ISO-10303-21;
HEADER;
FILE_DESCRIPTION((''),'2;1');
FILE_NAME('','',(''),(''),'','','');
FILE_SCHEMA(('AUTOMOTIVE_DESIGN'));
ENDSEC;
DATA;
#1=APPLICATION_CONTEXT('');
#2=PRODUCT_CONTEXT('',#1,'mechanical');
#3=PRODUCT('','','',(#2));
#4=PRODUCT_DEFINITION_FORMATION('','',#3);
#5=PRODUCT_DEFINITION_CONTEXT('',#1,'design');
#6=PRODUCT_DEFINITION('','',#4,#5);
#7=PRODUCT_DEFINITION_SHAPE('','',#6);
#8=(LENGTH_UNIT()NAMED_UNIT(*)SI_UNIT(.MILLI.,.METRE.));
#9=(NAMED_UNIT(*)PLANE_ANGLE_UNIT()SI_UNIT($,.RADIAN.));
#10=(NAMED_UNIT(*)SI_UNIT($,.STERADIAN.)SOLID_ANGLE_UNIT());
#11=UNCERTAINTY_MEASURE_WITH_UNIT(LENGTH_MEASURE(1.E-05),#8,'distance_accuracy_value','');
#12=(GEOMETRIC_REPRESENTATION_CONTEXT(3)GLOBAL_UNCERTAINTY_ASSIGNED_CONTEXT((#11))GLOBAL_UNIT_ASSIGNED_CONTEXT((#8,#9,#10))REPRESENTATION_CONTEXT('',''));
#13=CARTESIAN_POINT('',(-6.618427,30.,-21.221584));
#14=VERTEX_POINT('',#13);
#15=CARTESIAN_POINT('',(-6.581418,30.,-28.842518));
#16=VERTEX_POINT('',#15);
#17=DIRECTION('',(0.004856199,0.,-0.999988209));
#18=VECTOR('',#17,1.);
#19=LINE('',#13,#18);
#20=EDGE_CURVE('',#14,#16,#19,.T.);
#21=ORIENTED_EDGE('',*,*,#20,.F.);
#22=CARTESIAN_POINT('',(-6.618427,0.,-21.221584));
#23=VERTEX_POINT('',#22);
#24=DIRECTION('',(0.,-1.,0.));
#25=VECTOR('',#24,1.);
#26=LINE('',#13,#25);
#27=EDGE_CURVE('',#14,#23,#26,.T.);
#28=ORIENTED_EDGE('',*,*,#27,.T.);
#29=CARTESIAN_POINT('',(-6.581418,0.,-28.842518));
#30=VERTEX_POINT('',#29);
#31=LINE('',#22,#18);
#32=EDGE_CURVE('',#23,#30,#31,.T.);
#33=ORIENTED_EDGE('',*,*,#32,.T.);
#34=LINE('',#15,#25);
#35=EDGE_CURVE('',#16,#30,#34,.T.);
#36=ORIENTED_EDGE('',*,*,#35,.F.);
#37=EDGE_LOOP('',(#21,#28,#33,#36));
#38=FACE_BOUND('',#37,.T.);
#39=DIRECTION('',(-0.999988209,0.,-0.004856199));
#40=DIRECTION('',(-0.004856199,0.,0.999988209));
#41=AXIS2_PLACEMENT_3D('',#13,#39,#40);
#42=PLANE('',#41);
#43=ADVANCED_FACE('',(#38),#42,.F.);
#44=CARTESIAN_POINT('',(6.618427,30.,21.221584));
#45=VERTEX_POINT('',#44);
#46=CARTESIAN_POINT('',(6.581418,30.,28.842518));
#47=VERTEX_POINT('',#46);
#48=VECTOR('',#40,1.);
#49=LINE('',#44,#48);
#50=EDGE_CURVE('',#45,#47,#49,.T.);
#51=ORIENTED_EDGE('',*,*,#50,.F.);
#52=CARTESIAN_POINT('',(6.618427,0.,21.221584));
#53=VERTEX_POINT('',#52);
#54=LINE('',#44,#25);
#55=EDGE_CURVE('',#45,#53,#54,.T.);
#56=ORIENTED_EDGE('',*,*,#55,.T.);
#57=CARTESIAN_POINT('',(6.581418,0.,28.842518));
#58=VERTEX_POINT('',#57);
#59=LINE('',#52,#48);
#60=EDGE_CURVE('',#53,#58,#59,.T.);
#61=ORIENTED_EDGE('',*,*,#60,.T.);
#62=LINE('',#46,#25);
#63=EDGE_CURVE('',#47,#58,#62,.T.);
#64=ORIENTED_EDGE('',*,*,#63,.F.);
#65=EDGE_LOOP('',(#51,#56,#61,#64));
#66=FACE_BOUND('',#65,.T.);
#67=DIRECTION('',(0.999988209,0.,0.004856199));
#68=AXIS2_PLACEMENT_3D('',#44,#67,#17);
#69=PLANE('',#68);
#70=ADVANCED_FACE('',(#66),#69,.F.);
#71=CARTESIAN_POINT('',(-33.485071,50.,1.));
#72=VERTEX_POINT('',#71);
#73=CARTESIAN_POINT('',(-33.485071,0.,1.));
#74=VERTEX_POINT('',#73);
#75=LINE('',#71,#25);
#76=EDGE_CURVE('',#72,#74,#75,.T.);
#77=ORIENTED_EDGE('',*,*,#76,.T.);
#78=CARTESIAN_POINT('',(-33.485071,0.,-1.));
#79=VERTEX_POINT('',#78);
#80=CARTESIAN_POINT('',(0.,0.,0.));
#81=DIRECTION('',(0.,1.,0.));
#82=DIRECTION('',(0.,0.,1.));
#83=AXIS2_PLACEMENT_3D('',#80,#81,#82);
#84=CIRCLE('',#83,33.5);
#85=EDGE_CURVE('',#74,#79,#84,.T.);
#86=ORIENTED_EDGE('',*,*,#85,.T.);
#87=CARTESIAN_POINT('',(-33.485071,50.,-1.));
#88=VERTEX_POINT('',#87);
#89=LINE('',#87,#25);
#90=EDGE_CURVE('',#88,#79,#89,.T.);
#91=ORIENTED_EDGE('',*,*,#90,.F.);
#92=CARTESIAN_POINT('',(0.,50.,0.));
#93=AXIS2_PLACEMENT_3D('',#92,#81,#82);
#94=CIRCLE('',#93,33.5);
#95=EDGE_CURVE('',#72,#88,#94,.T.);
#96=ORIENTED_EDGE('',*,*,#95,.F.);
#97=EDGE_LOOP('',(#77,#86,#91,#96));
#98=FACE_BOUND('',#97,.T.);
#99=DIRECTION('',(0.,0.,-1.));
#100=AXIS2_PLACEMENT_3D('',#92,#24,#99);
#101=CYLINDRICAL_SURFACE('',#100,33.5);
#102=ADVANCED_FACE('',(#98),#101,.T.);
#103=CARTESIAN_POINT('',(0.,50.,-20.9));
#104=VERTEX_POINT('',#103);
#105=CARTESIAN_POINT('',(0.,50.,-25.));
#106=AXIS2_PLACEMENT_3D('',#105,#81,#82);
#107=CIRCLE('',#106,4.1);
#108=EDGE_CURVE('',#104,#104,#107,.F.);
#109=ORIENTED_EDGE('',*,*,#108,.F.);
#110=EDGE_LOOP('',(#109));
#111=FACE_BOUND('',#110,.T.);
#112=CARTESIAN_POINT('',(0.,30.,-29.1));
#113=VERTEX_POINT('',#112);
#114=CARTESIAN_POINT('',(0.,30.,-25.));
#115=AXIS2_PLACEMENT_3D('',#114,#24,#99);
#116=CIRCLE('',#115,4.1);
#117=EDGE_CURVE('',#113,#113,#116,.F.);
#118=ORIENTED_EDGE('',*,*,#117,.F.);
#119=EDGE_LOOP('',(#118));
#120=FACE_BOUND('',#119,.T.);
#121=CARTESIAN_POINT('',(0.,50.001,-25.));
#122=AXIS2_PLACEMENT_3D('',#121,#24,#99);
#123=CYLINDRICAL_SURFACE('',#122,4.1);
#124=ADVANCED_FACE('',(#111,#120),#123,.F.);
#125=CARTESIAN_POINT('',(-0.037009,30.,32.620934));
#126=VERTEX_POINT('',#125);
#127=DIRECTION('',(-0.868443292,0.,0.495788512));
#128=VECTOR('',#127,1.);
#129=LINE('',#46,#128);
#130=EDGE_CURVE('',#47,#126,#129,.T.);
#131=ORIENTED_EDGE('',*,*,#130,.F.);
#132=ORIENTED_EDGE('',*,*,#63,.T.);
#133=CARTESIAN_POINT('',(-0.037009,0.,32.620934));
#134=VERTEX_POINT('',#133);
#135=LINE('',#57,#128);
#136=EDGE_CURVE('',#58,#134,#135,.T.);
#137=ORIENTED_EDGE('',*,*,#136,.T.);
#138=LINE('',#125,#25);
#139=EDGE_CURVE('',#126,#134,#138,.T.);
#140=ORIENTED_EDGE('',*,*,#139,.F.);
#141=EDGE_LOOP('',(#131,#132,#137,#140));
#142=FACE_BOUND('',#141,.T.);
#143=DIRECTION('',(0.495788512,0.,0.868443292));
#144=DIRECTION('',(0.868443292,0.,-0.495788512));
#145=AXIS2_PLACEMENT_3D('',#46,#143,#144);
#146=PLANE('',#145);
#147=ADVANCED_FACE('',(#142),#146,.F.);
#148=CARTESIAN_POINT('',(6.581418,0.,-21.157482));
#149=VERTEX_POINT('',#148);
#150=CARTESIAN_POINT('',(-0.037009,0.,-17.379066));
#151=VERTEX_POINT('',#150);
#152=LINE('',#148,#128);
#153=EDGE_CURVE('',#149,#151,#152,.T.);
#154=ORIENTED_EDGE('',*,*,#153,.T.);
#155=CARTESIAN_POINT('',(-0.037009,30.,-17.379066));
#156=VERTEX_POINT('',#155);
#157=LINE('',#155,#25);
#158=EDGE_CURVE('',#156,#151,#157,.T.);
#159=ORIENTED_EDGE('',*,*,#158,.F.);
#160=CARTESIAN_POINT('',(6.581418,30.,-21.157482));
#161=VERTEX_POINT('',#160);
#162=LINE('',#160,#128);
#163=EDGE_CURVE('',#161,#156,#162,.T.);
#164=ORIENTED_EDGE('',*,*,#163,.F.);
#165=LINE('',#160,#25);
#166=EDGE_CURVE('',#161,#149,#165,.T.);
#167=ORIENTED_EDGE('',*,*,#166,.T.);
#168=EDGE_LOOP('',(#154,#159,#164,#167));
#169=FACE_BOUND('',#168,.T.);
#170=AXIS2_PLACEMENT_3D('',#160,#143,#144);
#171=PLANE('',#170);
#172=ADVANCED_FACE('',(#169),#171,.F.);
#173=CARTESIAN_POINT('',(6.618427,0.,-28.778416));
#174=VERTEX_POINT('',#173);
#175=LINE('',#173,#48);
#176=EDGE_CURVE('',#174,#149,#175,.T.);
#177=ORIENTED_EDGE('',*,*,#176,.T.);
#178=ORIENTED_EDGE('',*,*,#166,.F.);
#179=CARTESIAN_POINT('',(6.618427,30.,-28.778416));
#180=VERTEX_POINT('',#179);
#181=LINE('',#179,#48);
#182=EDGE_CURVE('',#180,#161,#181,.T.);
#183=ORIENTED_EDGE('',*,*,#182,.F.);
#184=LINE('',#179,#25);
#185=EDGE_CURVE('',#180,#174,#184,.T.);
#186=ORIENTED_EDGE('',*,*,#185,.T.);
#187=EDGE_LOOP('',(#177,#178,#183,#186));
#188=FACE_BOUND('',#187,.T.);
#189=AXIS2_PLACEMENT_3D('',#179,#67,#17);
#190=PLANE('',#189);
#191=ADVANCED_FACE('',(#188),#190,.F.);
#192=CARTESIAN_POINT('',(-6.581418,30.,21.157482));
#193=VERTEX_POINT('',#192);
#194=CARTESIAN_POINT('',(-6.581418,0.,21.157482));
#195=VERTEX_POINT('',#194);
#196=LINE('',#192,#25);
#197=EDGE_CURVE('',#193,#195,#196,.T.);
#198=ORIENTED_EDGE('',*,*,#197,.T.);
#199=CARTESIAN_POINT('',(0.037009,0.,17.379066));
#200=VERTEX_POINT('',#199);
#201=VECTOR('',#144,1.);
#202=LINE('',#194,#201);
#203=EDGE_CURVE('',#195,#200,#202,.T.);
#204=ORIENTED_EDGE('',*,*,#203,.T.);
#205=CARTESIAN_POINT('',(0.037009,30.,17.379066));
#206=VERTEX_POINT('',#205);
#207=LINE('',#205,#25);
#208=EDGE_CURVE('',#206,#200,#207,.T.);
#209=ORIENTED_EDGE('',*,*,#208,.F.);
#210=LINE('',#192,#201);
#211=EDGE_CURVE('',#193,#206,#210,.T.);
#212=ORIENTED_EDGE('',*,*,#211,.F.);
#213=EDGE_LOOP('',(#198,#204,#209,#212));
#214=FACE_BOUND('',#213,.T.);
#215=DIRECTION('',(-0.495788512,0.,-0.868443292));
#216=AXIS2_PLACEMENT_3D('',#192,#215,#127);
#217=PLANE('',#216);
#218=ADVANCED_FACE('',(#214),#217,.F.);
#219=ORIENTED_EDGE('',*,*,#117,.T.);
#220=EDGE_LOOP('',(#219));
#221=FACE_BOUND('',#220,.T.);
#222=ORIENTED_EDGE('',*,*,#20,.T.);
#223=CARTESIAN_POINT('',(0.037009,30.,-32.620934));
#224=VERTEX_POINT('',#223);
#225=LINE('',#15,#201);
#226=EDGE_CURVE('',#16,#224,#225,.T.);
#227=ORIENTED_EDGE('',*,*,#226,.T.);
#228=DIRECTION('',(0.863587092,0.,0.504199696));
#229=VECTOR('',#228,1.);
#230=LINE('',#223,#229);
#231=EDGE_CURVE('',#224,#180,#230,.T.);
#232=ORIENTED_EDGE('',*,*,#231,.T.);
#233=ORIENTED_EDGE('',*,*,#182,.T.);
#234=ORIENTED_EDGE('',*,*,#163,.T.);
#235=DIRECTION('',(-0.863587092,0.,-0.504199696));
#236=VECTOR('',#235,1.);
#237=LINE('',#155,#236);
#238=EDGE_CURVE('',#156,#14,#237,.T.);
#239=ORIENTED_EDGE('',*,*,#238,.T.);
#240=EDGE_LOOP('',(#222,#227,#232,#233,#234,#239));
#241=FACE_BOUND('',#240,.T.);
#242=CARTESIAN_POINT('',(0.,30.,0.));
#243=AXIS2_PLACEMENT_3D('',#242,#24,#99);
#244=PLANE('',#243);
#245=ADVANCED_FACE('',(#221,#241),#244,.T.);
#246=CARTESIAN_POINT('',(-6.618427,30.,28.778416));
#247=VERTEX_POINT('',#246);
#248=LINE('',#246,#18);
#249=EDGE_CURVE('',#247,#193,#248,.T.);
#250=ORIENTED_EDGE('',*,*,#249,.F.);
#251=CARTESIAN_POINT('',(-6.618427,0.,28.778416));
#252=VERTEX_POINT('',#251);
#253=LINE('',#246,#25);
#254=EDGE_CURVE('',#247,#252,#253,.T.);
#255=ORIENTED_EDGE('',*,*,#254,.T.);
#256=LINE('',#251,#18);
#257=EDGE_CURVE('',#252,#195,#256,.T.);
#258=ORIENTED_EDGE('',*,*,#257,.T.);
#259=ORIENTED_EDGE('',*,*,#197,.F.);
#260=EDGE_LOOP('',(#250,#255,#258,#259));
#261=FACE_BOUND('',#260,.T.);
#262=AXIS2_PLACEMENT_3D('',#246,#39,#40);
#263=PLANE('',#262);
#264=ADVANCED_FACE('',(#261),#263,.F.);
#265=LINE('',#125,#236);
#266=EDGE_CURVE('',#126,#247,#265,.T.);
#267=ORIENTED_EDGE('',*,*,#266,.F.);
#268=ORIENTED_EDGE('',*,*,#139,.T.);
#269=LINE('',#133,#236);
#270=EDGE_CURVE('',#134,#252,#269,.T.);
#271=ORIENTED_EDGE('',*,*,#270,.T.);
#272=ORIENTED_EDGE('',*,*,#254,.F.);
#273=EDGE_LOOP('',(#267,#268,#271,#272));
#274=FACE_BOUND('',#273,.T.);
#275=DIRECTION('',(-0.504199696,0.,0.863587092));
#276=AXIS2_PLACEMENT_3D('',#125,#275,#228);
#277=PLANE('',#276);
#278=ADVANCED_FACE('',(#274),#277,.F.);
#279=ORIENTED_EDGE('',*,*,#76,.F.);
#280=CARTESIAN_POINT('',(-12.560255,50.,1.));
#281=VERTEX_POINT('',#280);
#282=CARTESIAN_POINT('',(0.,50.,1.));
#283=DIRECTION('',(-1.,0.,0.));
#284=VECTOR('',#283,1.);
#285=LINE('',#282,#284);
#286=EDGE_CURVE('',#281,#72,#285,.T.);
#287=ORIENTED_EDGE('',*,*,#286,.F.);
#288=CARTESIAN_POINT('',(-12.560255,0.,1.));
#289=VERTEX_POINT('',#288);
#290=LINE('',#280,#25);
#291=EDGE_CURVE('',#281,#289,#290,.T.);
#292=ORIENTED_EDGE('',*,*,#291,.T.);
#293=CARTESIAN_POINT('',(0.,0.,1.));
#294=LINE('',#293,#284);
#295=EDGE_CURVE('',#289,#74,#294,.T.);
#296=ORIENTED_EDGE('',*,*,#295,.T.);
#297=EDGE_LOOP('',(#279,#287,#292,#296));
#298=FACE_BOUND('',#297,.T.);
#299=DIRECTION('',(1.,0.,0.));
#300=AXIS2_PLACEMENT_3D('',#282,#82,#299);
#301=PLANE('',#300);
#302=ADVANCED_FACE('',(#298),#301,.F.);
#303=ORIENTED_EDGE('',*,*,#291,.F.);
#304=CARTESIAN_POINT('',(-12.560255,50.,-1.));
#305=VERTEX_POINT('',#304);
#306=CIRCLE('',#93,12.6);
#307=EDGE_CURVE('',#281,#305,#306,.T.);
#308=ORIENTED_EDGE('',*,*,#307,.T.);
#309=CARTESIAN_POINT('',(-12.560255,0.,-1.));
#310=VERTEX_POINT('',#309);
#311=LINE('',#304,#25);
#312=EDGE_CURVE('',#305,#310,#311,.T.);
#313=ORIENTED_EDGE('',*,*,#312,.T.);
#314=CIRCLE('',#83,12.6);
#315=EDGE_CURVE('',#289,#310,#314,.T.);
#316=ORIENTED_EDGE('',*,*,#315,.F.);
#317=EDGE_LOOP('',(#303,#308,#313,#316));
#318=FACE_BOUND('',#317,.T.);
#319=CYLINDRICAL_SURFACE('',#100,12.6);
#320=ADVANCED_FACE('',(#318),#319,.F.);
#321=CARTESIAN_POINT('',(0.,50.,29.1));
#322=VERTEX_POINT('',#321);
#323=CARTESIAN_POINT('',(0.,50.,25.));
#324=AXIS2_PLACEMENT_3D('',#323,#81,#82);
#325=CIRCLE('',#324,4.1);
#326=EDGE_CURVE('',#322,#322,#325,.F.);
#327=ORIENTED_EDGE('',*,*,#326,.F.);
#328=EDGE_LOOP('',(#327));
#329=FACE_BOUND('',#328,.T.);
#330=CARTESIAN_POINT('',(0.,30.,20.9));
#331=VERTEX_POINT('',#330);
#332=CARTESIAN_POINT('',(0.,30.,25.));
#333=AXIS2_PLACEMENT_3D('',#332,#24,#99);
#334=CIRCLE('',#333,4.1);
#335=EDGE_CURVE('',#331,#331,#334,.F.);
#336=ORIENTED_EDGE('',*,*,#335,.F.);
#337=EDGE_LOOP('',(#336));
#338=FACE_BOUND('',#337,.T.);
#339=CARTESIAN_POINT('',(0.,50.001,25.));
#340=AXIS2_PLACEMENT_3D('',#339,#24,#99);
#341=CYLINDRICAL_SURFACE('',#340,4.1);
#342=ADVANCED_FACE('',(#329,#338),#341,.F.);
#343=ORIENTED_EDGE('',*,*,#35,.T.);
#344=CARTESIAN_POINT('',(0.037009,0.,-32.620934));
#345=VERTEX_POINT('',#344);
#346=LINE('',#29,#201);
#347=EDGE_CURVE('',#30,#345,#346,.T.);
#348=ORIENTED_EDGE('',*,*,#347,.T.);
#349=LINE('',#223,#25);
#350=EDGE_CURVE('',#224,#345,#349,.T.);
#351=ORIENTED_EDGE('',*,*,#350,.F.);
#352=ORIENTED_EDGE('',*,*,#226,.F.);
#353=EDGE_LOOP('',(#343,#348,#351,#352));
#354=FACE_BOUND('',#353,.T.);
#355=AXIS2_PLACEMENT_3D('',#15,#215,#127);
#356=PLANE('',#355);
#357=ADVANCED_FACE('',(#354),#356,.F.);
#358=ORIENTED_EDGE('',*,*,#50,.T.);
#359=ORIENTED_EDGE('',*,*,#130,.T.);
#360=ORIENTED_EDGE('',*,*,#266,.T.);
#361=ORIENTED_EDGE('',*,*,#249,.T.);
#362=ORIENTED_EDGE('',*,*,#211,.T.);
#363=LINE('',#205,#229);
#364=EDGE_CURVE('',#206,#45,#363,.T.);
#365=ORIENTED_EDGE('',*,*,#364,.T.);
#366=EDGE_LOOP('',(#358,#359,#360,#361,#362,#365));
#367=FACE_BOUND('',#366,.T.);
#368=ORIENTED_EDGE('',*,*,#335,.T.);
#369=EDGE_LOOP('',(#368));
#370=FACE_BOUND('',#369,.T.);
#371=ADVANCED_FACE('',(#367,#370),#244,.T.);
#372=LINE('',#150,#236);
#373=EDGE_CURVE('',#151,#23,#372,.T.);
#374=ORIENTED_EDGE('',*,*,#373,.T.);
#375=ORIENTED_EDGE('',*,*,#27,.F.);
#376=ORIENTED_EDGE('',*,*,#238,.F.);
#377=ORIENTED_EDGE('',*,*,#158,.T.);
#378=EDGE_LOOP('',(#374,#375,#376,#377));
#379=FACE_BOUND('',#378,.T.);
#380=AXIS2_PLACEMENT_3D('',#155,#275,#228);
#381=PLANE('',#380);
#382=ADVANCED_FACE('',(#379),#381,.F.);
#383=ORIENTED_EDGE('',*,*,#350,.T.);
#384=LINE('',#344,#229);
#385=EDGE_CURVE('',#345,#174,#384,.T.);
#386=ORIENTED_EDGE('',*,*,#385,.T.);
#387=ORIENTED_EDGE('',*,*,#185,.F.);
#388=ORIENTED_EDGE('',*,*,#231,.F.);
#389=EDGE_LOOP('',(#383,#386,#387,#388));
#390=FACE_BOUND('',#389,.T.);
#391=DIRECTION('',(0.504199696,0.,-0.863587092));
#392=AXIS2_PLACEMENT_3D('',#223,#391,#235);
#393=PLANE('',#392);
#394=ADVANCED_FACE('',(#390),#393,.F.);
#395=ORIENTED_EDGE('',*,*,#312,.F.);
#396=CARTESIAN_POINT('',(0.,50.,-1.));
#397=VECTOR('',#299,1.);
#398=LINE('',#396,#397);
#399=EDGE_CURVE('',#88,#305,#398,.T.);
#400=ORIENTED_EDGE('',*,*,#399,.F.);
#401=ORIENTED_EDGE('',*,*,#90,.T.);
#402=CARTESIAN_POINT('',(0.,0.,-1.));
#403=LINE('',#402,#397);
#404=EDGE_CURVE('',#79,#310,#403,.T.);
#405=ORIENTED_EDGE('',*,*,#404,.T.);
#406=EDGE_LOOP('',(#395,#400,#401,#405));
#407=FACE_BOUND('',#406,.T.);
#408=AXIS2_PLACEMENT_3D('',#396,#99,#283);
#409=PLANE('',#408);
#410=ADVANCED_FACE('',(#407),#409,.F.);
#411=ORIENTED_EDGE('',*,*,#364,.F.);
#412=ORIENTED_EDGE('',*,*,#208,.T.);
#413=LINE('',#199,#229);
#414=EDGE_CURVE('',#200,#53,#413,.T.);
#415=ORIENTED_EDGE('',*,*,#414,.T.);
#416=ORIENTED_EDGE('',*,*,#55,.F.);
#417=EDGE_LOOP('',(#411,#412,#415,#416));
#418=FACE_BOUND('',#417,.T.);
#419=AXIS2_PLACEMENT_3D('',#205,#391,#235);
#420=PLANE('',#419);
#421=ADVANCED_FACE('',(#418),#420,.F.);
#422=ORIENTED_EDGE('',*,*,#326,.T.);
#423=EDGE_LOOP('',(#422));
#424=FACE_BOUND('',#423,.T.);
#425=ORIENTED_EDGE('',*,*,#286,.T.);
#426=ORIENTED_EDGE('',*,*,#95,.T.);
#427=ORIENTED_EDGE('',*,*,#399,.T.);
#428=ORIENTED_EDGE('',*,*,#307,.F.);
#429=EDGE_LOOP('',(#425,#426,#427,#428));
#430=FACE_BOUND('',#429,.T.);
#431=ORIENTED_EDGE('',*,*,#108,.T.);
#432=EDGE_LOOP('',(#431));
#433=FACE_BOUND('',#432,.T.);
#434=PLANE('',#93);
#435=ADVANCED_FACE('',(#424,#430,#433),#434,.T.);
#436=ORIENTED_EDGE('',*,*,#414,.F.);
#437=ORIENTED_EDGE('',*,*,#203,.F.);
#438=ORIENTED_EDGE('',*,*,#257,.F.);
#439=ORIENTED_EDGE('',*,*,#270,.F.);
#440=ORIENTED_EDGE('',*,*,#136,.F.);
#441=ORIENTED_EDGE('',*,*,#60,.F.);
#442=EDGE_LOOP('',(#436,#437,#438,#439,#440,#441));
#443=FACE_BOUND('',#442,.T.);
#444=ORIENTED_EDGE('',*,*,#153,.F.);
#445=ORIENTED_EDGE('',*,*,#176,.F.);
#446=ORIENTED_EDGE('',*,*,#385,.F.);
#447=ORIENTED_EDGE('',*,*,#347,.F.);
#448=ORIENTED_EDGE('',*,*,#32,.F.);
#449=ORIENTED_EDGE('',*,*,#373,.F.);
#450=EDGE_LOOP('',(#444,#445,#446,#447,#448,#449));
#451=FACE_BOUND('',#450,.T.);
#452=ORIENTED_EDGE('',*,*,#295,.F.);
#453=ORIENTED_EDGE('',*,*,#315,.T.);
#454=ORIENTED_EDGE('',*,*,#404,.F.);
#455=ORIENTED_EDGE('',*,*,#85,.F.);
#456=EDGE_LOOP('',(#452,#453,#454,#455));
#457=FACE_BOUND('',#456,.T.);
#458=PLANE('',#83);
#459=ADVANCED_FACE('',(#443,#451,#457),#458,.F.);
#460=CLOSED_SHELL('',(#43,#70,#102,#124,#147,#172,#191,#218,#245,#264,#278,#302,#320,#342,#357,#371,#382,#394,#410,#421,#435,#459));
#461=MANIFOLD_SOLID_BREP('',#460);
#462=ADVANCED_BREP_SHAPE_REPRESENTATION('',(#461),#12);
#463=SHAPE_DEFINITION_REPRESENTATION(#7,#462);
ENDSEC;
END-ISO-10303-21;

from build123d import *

# Parameters (mm, degrees)
BOSS_EXTRUDE2_DEPTH = 50
CUT_EXTRUDE1_REACH  = 70.88
SKETCH3_R           = 4.1
CUT_EXTRUDE2_DEPTH  = 30


with BuildPart() as part:
    # Sketch2 → Boss-Extrude2 (new body)
    with BuildSketch(Plane(origin=(0, 0, 0), x_dir=(1, 0, 0), z_dir=(0, 1, 0))):
        with BuildLine():
            ThreePointArc((12.6, 0), (0.500394765, -12.590059773), (-12.560254774, -1))
            Line((-12.560254774, -1), (-33.485071301, -1))
            ThreePointArc((-33.485071301, -1), (0.500055713, -33.496267617), (33.5, 0))
            ThreePointArc((33.5, 0), (0.500055713, 33.496267617), (-33.485071301, 1))
            Line((-33.485071301, 1), (-12.560254774, 1))
            ThreePointArc((-12.560254774, 1), (0.500394765, 12.590059773), (12.6, 0))
        make_face()
    extrude(amount=BOSS_EXTRUDE2_DEPTH)

    # Sketch3 → Cut-Extrude1 (cut, up to next)
    with BuildSketch(Plane.XZ, mode=Mode.PRIVATE) as cut_extrude1_sk1:
        with Locations(Location((0, 25, 0), (0, 0, 270))):
            Circle(SKETCH3_R)
    cut_extrude1_tool1 = extrude(cut_extrude1_sk1.sketch, amount=-CUT_EXTRUDE1_REACH, mode=Mode.PRIVATE) & part.part
    # Sketch3 → Cut-Extrude1 (cut, up to next)
    with BuildSketch(Plane.XZ, mode=Mode.PRIVATE) as cut_extrude1_sk2:
        with Locations(Location((0, -25, 0), (0, 0, 270))):
            Circle(SKETCH3_R)
    cut_extrude1_tool2 = extrude(cut_extrude1_sk2.sketch, amount=-CUT_EXTRUDE1_REACH, mode=Mode.PRIVATE) & part.part
    add(cut_extrude1_tool1.solids().sort_by_distance((0, 0, 25))[0], mode=Mode.SUBTRACT)
    add(cut_extrude1_tool2.solids().sort_by_distance((0, 0, -25))[0], mode=Mode.SUBTRACT)

    # Sketch8 → Cut-Extrude2 (cut)
    with BuildSketch(Plane.XZ):
        Polygon((6.618426782, 21.22158407), (6.581417572, 28.842517761), (-0.03700921, 32.620933691), (-6.618426782, 28.77841593), (-6.581417572, 21.157482239), (0.03700921, 17.379066309), align=None)
        Polygon((6.618426782, -28.77841593), (6.581417572, -21.157482239), (-0.03700921, -17.379066309), (-6.618426782, -21.22158407), (-6.581417572, -28.842517761), (0.03700921, -32.620933691), align=None)
    extrude(amount=-CUT_EXTRUDE2_DEPTH, mode=Mode.SUBTRACT)


solid = part.part
